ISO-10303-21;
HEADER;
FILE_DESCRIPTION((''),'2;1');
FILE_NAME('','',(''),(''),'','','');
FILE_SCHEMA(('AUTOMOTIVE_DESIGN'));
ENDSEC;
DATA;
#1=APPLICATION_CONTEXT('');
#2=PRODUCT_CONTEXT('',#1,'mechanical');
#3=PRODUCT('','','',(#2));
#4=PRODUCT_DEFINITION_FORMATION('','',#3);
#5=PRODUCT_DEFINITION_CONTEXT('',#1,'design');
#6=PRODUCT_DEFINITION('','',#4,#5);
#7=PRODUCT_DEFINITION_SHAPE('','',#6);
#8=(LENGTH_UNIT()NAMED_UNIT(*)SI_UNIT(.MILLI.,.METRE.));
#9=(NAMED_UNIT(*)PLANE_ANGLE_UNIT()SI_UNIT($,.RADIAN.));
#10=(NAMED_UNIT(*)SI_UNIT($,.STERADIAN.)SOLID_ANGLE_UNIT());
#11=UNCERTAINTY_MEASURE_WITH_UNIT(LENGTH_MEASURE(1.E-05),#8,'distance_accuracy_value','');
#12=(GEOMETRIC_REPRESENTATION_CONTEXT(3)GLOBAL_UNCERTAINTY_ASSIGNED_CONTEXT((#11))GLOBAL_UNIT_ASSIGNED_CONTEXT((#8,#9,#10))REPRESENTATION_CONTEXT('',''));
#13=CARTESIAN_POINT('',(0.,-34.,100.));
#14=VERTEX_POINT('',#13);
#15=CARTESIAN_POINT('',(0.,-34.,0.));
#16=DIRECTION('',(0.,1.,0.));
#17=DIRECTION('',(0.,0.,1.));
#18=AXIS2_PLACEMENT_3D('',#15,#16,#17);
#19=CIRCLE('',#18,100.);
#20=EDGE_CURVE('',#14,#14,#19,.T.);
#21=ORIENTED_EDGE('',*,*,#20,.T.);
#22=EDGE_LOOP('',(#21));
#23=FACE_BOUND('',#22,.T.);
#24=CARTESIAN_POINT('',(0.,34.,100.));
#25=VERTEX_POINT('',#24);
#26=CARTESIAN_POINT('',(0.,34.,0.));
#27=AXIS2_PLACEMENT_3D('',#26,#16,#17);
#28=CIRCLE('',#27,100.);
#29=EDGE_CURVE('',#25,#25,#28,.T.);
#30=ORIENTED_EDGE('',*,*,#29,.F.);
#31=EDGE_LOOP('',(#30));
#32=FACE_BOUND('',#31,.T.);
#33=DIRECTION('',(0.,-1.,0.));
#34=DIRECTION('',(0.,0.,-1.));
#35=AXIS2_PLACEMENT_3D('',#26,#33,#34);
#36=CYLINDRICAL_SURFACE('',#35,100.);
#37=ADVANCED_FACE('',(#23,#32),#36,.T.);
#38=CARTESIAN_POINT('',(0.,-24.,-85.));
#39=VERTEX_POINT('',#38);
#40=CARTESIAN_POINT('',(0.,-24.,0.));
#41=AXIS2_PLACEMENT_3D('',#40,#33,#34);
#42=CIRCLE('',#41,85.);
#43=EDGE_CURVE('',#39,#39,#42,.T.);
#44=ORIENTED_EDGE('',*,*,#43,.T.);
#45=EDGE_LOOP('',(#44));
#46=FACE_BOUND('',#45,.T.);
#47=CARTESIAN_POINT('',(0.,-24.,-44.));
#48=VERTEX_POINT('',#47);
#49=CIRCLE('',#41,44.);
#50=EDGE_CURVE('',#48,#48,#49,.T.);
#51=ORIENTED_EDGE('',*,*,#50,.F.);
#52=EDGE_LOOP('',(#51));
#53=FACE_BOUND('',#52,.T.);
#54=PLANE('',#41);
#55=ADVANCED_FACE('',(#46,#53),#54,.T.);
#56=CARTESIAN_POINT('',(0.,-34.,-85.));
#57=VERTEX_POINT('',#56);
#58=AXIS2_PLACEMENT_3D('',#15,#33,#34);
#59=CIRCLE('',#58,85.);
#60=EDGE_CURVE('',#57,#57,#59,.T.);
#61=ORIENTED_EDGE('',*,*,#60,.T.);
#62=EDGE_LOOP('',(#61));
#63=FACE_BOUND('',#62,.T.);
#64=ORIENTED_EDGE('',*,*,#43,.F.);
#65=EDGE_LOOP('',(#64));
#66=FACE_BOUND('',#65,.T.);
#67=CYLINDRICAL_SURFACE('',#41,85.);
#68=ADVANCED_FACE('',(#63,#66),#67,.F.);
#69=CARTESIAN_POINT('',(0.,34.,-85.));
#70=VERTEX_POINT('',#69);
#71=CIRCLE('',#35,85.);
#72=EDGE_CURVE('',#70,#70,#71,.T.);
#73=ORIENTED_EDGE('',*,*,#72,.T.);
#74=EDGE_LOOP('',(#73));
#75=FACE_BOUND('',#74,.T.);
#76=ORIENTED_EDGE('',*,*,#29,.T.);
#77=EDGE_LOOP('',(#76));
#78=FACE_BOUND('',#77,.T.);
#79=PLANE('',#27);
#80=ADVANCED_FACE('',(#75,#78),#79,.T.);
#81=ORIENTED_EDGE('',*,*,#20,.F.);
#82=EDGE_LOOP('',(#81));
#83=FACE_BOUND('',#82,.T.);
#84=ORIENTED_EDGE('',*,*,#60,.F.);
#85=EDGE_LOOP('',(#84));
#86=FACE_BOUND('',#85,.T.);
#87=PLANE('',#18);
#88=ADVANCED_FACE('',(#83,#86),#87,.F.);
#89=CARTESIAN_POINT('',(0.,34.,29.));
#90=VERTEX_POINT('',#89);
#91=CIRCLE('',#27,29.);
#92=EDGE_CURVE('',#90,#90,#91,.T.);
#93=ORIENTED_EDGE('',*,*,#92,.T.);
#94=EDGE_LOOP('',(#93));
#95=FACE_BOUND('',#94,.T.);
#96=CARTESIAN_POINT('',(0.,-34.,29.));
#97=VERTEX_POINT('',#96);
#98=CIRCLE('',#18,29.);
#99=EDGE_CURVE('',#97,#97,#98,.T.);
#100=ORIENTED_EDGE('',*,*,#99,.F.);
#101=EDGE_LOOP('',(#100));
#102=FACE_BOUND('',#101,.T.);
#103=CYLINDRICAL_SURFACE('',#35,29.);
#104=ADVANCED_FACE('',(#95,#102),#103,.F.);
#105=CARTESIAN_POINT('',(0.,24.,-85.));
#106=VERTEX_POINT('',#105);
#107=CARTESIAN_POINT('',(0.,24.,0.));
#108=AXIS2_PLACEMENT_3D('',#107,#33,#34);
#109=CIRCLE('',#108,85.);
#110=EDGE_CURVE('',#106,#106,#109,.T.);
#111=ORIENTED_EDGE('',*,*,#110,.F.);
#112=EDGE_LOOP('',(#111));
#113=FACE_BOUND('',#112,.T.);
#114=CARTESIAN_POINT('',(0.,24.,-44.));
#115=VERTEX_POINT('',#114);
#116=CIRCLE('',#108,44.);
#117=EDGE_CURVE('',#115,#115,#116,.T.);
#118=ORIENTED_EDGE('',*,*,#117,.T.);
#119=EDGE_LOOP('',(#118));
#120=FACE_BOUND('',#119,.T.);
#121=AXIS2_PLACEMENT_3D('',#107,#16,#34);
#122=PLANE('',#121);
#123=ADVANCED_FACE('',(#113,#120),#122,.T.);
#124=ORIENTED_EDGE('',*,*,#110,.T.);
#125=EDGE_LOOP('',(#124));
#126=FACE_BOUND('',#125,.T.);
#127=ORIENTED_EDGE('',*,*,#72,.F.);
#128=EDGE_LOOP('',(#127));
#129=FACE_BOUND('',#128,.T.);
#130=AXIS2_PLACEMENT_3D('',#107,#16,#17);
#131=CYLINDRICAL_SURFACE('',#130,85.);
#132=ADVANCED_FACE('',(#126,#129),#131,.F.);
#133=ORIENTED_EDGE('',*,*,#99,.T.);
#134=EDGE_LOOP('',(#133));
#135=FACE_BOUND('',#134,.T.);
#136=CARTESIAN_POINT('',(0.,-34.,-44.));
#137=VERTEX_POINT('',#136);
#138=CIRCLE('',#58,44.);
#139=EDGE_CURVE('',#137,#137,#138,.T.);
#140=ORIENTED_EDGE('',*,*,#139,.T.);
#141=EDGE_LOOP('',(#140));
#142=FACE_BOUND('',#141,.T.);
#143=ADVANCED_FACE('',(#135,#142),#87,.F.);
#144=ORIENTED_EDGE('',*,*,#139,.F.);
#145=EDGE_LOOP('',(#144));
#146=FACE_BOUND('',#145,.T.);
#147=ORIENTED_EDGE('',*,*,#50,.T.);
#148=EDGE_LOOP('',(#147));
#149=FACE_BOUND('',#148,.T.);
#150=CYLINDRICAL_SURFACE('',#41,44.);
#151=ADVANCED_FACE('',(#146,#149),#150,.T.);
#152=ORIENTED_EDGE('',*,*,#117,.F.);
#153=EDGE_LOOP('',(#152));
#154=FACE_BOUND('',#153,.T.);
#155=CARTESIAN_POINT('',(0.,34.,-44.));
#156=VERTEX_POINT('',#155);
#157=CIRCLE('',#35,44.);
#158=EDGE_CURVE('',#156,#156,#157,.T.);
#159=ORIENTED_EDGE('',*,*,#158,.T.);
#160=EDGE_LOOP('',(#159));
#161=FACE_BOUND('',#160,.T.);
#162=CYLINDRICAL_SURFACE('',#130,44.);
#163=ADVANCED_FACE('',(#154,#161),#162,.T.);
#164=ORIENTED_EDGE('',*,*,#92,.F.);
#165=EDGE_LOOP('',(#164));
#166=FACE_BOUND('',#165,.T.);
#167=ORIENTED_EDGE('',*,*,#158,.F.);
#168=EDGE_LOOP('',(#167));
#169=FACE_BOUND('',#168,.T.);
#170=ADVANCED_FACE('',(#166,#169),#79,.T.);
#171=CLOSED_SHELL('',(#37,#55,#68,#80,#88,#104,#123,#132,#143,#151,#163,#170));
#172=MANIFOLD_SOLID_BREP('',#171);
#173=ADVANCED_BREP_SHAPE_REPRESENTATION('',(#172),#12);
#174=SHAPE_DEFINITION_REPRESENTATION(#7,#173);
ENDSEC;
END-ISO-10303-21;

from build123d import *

# Parameters (mm, degrees)
SKETCH_1_R          = 100
SKETCH_1_R_2        = 29
EXTRUDE_1_DEPTH     = 34
SKETCH_2_R          = 85
SKETCH_2_R_2        = 44
CUT_EXTRUDE_1_DEPTH = 10


with BuildPart() as part:
    # 草图1 → 凸台-拉伸1 (new body, symmetric)
    with BuildSketch(Plane(origin=(0, 0, 0), x_dir=(1, 0, 0), z_dir=(0, 1, 0))):
        Circle(SKETCH_1_R)
        Circle(SKETCH_1_R_2, mode=Mode.SUBTRACT)
    extrude(amount=EXTRUDE_1_DEPTH, both=True)

    # 草图2 → 切除-拉伸1 (cut)
    with BuildSketch(Plane.XZ.offset(34)):
        Circle(SKETCH_2_R)
        Circle(SKETCH_2_R_2, mode=Mode.SUBTRACT)
    cut_extrude_1 = extrude(amount=-CUT_EXTRUDE_1_DEPTH, mode=Mode.SUBTRACT)

    # 镜向1: 切除-拉伸1 across plane
    add(cut_extrude_1.mirror(Plane.ZX), mode=Mode.SUBTRACT)


solid = part.part
